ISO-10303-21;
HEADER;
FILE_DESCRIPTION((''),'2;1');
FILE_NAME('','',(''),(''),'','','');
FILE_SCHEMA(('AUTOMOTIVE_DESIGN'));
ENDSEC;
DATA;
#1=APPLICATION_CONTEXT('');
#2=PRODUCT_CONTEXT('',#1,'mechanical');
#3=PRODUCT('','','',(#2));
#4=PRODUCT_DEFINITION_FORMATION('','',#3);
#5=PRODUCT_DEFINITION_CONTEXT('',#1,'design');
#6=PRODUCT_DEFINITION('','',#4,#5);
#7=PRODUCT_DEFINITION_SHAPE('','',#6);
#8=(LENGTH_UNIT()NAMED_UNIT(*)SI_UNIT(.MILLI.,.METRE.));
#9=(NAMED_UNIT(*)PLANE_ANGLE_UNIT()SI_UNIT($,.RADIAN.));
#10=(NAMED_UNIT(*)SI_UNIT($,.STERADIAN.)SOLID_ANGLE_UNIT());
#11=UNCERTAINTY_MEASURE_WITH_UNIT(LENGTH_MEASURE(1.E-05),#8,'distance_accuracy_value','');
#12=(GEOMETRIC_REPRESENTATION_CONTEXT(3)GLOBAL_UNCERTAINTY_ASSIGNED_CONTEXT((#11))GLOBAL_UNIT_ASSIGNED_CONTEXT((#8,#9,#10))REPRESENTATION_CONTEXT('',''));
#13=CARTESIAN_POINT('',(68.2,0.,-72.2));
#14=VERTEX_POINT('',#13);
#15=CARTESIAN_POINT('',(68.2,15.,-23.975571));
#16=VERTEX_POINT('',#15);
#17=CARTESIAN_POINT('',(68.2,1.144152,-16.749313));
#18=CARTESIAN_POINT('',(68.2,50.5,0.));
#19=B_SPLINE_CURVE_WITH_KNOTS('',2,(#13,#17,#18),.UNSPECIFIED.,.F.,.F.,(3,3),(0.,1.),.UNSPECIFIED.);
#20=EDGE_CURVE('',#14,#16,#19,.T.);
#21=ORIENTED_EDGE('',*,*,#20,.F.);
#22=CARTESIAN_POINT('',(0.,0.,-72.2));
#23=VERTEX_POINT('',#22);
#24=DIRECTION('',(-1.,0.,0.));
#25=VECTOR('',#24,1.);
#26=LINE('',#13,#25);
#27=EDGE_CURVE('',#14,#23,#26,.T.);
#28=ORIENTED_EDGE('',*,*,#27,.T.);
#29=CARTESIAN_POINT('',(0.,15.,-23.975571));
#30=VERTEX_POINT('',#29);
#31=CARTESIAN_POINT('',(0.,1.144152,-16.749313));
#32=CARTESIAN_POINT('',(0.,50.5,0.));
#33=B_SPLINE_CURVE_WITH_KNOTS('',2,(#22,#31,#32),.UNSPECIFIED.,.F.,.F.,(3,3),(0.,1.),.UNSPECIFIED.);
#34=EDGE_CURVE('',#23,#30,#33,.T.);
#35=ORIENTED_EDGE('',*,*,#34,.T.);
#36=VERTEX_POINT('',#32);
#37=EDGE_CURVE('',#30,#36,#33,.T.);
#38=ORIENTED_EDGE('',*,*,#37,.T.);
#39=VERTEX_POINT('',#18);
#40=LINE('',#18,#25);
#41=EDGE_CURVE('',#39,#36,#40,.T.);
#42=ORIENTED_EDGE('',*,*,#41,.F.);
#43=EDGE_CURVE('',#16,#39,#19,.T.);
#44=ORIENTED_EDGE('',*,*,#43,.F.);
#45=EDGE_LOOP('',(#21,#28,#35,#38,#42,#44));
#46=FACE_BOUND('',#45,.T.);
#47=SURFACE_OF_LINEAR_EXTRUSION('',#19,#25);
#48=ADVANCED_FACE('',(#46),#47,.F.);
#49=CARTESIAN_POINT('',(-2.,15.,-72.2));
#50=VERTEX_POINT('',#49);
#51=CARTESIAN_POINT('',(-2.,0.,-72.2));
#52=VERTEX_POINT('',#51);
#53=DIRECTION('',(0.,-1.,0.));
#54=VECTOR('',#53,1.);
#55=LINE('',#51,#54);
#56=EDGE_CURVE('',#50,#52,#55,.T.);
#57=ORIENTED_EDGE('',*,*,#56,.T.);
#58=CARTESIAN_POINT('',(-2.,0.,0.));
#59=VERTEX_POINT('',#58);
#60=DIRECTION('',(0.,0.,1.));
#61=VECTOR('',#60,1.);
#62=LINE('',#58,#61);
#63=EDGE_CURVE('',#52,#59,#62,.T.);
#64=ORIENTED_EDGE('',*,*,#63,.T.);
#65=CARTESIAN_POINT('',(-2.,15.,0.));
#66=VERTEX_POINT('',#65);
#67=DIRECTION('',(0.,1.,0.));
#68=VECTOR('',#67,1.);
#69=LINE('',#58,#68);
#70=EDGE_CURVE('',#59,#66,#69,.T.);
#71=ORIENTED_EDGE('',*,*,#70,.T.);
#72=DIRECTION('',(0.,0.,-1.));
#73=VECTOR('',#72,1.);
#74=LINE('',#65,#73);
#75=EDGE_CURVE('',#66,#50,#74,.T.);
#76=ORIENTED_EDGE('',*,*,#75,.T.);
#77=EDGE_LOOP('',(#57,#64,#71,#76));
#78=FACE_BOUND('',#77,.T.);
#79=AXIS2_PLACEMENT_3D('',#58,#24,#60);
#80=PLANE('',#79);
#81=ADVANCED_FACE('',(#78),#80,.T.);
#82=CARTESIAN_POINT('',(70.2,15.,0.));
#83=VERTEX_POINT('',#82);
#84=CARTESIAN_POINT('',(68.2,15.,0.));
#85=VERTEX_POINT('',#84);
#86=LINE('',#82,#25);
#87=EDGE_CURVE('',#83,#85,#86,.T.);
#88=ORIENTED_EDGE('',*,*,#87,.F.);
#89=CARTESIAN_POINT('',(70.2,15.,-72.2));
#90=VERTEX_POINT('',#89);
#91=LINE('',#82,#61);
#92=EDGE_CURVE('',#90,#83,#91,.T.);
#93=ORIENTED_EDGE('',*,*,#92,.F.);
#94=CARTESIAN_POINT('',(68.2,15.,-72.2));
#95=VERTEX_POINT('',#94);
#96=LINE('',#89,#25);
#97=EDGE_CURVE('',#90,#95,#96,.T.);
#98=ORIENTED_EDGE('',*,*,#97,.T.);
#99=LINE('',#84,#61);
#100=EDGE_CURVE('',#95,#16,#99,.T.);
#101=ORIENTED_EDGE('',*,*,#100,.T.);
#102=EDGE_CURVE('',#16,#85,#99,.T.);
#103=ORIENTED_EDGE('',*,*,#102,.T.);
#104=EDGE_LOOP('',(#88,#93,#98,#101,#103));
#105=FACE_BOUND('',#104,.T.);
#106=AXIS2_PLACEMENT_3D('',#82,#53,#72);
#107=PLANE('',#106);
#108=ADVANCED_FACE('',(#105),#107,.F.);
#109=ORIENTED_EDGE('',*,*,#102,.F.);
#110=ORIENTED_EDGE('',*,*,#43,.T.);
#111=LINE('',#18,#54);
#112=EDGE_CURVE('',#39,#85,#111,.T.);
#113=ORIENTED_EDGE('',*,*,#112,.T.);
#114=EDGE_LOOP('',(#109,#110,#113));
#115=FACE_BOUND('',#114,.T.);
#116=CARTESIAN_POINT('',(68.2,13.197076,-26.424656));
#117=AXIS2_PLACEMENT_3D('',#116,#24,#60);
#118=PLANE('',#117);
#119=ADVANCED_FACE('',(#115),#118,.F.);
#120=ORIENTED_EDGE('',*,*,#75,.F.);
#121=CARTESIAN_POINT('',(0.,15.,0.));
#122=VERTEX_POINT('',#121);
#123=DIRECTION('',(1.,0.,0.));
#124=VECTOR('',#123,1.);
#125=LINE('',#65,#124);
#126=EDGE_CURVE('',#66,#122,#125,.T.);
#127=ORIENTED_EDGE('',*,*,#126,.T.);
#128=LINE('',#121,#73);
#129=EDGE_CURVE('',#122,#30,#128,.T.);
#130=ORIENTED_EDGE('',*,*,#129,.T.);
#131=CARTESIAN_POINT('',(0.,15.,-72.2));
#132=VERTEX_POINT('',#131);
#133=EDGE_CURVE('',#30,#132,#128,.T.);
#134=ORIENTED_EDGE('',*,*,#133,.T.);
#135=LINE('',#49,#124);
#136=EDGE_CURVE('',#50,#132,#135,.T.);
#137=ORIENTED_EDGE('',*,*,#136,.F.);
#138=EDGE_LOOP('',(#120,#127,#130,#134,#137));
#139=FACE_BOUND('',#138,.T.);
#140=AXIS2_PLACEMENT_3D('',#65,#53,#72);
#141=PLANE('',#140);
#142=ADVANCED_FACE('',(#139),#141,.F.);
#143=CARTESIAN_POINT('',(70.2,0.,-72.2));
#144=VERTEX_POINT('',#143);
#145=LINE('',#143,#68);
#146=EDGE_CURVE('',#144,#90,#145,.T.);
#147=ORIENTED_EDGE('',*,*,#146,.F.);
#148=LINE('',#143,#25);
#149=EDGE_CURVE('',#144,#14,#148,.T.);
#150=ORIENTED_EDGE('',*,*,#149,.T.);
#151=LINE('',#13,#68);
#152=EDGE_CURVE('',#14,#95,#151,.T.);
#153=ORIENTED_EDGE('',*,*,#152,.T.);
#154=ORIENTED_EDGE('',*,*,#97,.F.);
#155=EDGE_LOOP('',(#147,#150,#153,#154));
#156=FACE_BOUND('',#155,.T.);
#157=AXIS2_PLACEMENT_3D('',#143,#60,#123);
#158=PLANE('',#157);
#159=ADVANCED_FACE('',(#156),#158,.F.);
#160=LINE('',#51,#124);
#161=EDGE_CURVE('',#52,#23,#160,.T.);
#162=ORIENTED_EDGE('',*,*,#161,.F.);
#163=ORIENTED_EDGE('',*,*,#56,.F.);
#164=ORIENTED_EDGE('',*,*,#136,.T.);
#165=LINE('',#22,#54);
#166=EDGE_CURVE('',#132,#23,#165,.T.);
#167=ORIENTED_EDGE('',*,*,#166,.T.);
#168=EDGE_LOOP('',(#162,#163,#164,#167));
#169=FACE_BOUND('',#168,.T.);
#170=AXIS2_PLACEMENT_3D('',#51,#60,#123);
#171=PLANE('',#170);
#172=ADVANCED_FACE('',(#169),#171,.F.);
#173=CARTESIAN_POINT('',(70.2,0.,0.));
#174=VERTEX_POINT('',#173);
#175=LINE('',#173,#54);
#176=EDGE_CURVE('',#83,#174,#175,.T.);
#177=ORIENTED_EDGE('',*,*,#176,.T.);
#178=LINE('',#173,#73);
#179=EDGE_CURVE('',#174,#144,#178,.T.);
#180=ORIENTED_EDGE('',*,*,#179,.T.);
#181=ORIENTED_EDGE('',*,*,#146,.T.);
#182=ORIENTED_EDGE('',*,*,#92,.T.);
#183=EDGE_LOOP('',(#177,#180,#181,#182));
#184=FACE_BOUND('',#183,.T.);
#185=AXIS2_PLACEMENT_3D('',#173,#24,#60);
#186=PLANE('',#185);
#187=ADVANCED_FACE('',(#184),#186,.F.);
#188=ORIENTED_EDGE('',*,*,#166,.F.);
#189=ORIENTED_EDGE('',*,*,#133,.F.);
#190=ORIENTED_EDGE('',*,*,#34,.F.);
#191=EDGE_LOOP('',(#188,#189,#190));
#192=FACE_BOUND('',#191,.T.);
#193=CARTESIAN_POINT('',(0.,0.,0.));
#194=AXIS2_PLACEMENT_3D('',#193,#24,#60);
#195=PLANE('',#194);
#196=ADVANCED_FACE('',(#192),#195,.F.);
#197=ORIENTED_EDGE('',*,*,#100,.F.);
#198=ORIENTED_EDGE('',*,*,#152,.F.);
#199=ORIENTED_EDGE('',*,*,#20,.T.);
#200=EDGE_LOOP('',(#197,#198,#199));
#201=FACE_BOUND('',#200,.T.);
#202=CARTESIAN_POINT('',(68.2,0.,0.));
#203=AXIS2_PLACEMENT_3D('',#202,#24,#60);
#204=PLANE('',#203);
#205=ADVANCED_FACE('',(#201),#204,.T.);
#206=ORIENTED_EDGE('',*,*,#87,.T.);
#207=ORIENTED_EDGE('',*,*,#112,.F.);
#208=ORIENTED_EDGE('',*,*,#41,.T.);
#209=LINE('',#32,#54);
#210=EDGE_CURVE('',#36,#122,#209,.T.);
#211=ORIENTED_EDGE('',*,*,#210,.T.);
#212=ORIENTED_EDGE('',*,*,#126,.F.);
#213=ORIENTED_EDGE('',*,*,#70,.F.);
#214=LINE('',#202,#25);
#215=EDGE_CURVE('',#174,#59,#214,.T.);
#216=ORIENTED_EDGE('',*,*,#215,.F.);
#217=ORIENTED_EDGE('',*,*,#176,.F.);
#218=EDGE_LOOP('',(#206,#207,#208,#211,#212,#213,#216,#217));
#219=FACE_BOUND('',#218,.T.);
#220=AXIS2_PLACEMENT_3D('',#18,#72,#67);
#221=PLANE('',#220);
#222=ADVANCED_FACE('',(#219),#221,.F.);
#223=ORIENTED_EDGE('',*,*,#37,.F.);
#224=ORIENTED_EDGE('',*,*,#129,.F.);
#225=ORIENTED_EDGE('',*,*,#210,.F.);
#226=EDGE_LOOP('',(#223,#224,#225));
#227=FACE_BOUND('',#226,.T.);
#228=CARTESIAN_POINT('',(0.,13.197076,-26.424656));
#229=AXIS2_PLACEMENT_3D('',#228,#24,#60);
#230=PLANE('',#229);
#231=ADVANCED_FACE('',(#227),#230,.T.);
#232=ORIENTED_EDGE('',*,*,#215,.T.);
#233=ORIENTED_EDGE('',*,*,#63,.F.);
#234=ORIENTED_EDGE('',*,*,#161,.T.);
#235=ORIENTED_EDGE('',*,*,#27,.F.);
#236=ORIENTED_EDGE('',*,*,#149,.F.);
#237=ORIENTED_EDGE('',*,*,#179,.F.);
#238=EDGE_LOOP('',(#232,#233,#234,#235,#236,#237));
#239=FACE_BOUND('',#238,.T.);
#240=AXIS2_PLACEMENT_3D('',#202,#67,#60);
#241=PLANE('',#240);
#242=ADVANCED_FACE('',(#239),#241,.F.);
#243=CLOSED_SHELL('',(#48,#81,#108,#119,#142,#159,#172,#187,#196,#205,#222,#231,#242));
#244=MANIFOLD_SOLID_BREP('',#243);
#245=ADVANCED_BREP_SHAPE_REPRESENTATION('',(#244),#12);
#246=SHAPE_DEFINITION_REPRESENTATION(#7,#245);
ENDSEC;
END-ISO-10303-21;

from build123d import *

# Parameters (mm, degrees)
BOSS_EXTRUDE1_DEPTH = 68.2
SKETCH2_W           = 72.2
SKETCH2_H           = 15
BOSS_EXTRUDE2_DEPTH = 2
SKETCH3_W           = 72.2
SKETCH3_H           = 15
BOSS_EXTRUDE3_DEPTH = 2


with BuildPart() as part:
    # Sketch1 → Boss-Extrude1 (new body)
    with BuildSketch(Plane(origin=(0, 0, 0), x_dir=(0, 0, -1), z_dir=(1, 0, 0))):
        with BuildLine():
            Line((0, 0), (72.2, 0))
            add(Edge.make_bspline(
                [(0, 50.5), (16.749312519, 1.14415236), (72.2, 0)],
                knots=[0, 0, 0, 1, 1, 1], degree=2))
            Line((0, 50.5), (0, 0))
        make_face()
    extrude(amount=BOSS_EXTRUDE1_DEPTH)

    # Sketch2 → Boss-Extrude2 (add)
    with BuildSketch(Plane.ZY):
        with Locations((-36.1, 7.5)):
            Rectangle(SKETCH2_W, SKETCH2_H)
    extrude(amount=BOSS_EXTRUDE2_DEPTH)

    # Sketch3 → Boss-Extrude3 (add)
    with BuildSketch(Plane(origin=(68.2, 0, 0), x_dir=(0, 0, -1), z_dir=(1, 0, 0))):
        with Locations((36.1, 7.5)):
            Rectangle(SKETCH3_W, SKETCH3_H)
    extrude(amount=BOSS_EXTRUDE3_DEPTH)


solid = part.part
